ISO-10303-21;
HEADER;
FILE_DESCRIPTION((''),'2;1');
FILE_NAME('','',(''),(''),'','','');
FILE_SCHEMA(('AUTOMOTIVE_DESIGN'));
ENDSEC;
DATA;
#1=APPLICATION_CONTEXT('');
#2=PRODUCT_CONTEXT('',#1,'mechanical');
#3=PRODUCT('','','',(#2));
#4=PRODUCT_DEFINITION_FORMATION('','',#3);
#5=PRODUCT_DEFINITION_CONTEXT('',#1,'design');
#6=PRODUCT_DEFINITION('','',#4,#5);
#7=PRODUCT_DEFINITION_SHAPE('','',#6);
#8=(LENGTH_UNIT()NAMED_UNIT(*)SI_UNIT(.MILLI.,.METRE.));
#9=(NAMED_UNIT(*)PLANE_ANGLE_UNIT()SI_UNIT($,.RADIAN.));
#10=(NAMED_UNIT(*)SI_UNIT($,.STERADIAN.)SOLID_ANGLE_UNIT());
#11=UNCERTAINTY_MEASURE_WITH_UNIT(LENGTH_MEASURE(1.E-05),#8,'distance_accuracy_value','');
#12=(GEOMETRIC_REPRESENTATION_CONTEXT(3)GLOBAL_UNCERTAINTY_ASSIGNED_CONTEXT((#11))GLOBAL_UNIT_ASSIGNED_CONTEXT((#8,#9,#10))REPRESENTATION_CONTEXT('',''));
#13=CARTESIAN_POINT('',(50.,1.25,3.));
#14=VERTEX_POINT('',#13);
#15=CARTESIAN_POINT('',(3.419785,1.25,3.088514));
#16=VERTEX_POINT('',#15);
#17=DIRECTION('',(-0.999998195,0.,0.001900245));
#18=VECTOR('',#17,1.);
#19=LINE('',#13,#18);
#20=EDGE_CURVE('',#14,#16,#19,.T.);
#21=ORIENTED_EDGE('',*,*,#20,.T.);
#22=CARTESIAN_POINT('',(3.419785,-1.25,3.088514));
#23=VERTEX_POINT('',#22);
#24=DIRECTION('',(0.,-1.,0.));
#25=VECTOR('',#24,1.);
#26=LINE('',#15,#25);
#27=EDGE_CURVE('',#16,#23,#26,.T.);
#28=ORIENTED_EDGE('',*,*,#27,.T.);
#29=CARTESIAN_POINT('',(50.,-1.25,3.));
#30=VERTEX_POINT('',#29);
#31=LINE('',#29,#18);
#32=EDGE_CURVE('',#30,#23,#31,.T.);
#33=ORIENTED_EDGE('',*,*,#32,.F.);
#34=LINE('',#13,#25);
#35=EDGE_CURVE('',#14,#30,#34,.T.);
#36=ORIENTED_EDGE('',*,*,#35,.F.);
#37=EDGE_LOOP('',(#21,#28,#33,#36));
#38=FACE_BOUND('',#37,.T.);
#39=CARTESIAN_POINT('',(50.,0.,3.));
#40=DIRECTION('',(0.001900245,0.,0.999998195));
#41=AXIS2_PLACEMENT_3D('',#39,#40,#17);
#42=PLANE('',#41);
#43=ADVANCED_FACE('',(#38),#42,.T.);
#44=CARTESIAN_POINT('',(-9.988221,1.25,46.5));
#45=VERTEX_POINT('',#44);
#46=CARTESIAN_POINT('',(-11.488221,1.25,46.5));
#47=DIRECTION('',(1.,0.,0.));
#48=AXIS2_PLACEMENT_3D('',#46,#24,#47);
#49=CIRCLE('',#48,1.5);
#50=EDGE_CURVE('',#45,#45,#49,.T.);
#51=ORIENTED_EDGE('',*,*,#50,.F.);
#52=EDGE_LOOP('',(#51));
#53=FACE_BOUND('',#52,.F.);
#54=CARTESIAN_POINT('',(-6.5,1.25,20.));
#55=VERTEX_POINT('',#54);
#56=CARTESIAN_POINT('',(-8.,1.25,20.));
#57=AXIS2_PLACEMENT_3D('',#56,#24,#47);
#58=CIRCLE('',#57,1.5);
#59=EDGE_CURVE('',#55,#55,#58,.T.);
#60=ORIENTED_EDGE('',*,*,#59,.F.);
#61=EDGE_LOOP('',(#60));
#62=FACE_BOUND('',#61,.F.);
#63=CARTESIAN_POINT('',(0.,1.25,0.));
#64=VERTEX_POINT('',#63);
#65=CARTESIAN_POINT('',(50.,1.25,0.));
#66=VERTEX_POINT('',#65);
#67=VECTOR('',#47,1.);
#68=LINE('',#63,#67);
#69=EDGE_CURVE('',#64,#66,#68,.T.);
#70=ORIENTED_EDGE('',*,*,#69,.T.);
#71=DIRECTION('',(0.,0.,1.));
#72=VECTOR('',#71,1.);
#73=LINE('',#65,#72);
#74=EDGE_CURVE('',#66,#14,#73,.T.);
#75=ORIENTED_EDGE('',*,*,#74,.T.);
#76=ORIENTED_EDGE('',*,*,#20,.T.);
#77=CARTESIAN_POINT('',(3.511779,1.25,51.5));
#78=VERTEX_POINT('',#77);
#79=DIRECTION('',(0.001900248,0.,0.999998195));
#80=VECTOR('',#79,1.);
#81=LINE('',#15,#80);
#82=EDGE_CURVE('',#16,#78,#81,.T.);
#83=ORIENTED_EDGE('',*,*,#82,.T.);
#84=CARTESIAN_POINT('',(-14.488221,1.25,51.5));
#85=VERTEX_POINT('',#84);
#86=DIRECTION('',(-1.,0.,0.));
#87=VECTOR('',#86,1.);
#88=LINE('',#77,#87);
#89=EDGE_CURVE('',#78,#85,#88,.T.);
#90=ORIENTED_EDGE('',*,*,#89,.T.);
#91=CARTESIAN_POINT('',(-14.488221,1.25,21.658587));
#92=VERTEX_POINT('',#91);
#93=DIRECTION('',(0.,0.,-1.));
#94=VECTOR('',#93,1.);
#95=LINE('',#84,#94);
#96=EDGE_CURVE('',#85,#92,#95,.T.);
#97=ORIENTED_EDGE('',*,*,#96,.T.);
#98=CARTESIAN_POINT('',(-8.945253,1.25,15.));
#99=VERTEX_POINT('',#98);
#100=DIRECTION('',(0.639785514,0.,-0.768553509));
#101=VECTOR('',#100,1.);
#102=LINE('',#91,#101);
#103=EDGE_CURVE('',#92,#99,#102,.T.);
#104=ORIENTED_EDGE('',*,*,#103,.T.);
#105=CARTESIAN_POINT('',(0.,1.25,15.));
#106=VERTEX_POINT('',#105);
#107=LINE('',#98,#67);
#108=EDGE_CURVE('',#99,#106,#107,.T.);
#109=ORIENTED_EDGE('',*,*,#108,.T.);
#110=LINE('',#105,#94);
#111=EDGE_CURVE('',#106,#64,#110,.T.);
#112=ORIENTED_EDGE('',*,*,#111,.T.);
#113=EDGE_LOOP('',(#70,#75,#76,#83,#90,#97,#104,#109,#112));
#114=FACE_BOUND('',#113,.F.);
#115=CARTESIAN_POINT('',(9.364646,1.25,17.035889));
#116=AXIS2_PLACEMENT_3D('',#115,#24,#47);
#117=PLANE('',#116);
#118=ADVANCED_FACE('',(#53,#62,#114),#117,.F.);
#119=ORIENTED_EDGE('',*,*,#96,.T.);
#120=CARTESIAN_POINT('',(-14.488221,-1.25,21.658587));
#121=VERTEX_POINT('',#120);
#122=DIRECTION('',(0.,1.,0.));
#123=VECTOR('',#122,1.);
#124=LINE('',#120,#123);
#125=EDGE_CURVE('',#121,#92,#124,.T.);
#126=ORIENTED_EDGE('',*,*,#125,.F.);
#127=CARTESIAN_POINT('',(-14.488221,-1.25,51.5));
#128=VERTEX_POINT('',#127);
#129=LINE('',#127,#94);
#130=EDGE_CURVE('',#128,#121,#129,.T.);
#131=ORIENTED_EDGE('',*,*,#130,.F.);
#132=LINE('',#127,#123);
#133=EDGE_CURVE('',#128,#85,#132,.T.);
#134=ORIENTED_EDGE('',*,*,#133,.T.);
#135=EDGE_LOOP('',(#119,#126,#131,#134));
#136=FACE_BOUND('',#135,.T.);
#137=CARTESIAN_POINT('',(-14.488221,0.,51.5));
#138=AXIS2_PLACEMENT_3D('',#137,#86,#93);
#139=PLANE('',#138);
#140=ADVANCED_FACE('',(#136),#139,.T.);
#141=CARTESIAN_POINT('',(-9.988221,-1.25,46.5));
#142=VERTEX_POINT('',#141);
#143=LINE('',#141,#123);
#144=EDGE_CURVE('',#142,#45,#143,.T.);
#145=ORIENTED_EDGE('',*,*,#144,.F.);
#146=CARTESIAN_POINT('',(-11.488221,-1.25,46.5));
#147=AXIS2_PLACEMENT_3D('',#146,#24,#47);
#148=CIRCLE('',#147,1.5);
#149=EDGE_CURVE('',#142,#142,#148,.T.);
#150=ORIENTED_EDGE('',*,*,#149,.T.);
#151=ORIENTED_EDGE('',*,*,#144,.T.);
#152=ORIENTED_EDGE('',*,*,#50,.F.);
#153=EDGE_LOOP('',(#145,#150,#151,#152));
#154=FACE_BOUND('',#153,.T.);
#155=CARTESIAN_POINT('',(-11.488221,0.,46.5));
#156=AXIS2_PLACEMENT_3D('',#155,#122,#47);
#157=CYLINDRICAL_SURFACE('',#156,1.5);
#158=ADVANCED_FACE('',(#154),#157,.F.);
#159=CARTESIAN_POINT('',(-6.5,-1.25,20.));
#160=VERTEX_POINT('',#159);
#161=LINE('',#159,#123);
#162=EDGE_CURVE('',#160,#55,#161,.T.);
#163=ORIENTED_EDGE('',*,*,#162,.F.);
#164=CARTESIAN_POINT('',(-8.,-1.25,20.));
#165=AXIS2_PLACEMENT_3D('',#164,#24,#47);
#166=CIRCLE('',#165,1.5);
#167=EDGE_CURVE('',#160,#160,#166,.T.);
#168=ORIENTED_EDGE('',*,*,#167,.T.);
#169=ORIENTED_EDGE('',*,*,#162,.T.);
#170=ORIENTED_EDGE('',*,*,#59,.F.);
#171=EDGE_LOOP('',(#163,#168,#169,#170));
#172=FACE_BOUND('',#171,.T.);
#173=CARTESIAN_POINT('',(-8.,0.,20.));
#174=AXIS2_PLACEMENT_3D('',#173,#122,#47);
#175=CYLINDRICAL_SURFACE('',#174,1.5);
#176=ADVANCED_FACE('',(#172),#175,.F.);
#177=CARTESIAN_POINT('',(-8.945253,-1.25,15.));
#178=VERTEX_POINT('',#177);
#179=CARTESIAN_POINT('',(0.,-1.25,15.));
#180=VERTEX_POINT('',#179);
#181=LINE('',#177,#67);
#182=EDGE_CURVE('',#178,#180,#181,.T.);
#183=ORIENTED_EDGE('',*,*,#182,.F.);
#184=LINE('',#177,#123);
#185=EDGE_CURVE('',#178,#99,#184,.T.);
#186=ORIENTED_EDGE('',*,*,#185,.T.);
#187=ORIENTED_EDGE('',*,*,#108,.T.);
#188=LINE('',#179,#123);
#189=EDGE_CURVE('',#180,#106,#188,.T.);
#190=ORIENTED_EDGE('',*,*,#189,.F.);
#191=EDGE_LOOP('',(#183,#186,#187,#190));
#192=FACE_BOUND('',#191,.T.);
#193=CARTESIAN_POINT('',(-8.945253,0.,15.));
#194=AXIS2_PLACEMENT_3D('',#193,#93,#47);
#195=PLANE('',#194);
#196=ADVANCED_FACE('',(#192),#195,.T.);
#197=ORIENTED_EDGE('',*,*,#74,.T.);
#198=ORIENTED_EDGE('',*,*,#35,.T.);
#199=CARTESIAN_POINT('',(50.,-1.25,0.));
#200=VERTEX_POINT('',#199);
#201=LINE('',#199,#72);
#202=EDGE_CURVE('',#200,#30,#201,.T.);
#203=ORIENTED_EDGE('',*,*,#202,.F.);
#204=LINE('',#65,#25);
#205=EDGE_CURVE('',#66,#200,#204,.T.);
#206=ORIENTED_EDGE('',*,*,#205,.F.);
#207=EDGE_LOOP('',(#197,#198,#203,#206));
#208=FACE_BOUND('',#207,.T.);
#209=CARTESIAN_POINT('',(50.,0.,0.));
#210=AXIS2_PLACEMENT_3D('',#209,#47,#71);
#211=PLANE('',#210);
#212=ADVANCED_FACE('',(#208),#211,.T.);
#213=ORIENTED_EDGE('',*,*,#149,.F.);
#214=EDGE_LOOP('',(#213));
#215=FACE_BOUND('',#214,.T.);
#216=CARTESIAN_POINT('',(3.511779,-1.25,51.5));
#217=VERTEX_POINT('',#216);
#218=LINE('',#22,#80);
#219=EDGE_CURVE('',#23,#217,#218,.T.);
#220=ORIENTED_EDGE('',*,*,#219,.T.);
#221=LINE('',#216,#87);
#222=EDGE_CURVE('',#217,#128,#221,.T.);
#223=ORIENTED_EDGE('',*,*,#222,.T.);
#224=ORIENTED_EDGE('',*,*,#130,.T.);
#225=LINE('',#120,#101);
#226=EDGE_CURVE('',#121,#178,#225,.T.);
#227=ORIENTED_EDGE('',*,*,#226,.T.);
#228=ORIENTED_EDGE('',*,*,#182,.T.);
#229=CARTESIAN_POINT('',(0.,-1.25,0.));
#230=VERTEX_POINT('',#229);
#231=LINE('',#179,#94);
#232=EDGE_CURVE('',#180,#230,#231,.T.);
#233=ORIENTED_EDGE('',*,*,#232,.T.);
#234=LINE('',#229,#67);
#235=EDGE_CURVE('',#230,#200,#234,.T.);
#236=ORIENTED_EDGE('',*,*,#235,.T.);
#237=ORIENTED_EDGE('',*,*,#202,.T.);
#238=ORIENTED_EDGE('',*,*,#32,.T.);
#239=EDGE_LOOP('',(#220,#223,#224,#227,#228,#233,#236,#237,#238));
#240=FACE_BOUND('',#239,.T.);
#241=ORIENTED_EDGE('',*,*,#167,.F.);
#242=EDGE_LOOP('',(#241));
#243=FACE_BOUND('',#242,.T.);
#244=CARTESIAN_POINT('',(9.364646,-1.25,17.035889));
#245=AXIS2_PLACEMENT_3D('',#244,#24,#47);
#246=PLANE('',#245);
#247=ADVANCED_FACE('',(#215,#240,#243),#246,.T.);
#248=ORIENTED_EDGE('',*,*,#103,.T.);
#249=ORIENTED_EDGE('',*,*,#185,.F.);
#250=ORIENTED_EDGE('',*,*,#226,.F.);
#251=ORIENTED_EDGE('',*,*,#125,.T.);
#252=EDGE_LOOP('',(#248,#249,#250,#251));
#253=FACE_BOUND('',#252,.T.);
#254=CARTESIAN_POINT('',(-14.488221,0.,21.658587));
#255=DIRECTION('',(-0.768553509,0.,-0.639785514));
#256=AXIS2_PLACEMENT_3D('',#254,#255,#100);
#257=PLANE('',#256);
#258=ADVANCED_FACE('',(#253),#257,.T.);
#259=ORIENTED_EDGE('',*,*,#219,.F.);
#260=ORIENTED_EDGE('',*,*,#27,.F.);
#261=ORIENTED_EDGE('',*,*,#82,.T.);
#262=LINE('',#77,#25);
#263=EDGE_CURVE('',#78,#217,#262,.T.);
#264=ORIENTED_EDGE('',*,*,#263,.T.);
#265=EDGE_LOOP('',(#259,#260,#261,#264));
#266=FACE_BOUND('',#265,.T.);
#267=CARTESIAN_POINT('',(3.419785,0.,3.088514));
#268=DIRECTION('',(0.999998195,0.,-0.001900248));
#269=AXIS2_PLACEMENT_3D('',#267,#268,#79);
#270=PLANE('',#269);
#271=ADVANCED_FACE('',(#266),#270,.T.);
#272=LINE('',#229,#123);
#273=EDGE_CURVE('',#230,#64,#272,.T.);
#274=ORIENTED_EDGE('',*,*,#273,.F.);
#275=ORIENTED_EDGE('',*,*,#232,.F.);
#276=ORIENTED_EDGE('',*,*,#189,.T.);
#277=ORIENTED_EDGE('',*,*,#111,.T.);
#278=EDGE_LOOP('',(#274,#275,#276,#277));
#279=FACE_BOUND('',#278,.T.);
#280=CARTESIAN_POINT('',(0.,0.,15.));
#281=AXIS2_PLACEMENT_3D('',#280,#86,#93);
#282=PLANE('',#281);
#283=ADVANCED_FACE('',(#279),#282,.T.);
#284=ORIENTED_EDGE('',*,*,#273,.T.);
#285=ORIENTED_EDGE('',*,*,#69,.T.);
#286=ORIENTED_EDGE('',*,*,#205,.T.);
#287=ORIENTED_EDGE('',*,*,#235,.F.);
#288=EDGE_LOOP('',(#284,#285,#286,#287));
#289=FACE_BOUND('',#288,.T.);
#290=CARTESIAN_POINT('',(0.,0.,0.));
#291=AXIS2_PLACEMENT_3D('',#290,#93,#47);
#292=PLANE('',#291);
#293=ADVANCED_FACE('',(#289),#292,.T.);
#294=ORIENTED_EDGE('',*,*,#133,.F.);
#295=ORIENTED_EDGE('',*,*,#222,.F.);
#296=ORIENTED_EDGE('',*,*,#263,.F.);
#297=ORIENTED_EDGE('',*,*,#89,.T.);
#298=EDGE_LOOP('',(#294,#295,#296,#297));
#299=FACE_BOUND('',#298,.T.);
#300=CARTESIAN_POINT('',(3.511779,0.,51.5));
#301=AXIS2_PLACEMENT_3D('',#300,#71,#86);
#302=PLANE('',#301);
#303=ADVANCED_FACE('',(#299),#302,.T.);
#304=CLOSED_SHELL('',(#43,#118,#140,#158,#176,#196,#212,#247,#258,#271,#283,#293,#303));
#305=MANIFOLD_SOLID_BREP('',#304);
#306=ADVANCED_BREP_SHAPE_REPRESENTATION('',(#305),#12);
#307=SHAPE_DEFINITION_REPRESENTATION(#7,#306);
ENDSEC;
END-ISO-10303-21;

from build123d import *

# Parameters (mm, degrees)
F0_R     = 1.5
F1_DEPTH = 1.25


with BuildPart() as f1:
    # F0 (on Front) → F1 (new body, symmetric)
    with BuildSketch(Plane.XZ):
        Polygon((0, 0), (50, 0), (50, 3), (3.419785, 3.088514), (3.511779, 51.5), (-14.488221, 51.5), (-14.488221, 21.658587), (-8.945253, 15), (0, 15), align=None)
        with Locations((-8, 20)):
            Circle(F0_R, mode=Mode.SUBTRACT)
        with Locations((-11.488221, 46.5)):
            Circle(F0_R, mode=Mode.SUBTRACT)
    extrude(amount=F1_DEPTH, both=True)


solid = f1.part
